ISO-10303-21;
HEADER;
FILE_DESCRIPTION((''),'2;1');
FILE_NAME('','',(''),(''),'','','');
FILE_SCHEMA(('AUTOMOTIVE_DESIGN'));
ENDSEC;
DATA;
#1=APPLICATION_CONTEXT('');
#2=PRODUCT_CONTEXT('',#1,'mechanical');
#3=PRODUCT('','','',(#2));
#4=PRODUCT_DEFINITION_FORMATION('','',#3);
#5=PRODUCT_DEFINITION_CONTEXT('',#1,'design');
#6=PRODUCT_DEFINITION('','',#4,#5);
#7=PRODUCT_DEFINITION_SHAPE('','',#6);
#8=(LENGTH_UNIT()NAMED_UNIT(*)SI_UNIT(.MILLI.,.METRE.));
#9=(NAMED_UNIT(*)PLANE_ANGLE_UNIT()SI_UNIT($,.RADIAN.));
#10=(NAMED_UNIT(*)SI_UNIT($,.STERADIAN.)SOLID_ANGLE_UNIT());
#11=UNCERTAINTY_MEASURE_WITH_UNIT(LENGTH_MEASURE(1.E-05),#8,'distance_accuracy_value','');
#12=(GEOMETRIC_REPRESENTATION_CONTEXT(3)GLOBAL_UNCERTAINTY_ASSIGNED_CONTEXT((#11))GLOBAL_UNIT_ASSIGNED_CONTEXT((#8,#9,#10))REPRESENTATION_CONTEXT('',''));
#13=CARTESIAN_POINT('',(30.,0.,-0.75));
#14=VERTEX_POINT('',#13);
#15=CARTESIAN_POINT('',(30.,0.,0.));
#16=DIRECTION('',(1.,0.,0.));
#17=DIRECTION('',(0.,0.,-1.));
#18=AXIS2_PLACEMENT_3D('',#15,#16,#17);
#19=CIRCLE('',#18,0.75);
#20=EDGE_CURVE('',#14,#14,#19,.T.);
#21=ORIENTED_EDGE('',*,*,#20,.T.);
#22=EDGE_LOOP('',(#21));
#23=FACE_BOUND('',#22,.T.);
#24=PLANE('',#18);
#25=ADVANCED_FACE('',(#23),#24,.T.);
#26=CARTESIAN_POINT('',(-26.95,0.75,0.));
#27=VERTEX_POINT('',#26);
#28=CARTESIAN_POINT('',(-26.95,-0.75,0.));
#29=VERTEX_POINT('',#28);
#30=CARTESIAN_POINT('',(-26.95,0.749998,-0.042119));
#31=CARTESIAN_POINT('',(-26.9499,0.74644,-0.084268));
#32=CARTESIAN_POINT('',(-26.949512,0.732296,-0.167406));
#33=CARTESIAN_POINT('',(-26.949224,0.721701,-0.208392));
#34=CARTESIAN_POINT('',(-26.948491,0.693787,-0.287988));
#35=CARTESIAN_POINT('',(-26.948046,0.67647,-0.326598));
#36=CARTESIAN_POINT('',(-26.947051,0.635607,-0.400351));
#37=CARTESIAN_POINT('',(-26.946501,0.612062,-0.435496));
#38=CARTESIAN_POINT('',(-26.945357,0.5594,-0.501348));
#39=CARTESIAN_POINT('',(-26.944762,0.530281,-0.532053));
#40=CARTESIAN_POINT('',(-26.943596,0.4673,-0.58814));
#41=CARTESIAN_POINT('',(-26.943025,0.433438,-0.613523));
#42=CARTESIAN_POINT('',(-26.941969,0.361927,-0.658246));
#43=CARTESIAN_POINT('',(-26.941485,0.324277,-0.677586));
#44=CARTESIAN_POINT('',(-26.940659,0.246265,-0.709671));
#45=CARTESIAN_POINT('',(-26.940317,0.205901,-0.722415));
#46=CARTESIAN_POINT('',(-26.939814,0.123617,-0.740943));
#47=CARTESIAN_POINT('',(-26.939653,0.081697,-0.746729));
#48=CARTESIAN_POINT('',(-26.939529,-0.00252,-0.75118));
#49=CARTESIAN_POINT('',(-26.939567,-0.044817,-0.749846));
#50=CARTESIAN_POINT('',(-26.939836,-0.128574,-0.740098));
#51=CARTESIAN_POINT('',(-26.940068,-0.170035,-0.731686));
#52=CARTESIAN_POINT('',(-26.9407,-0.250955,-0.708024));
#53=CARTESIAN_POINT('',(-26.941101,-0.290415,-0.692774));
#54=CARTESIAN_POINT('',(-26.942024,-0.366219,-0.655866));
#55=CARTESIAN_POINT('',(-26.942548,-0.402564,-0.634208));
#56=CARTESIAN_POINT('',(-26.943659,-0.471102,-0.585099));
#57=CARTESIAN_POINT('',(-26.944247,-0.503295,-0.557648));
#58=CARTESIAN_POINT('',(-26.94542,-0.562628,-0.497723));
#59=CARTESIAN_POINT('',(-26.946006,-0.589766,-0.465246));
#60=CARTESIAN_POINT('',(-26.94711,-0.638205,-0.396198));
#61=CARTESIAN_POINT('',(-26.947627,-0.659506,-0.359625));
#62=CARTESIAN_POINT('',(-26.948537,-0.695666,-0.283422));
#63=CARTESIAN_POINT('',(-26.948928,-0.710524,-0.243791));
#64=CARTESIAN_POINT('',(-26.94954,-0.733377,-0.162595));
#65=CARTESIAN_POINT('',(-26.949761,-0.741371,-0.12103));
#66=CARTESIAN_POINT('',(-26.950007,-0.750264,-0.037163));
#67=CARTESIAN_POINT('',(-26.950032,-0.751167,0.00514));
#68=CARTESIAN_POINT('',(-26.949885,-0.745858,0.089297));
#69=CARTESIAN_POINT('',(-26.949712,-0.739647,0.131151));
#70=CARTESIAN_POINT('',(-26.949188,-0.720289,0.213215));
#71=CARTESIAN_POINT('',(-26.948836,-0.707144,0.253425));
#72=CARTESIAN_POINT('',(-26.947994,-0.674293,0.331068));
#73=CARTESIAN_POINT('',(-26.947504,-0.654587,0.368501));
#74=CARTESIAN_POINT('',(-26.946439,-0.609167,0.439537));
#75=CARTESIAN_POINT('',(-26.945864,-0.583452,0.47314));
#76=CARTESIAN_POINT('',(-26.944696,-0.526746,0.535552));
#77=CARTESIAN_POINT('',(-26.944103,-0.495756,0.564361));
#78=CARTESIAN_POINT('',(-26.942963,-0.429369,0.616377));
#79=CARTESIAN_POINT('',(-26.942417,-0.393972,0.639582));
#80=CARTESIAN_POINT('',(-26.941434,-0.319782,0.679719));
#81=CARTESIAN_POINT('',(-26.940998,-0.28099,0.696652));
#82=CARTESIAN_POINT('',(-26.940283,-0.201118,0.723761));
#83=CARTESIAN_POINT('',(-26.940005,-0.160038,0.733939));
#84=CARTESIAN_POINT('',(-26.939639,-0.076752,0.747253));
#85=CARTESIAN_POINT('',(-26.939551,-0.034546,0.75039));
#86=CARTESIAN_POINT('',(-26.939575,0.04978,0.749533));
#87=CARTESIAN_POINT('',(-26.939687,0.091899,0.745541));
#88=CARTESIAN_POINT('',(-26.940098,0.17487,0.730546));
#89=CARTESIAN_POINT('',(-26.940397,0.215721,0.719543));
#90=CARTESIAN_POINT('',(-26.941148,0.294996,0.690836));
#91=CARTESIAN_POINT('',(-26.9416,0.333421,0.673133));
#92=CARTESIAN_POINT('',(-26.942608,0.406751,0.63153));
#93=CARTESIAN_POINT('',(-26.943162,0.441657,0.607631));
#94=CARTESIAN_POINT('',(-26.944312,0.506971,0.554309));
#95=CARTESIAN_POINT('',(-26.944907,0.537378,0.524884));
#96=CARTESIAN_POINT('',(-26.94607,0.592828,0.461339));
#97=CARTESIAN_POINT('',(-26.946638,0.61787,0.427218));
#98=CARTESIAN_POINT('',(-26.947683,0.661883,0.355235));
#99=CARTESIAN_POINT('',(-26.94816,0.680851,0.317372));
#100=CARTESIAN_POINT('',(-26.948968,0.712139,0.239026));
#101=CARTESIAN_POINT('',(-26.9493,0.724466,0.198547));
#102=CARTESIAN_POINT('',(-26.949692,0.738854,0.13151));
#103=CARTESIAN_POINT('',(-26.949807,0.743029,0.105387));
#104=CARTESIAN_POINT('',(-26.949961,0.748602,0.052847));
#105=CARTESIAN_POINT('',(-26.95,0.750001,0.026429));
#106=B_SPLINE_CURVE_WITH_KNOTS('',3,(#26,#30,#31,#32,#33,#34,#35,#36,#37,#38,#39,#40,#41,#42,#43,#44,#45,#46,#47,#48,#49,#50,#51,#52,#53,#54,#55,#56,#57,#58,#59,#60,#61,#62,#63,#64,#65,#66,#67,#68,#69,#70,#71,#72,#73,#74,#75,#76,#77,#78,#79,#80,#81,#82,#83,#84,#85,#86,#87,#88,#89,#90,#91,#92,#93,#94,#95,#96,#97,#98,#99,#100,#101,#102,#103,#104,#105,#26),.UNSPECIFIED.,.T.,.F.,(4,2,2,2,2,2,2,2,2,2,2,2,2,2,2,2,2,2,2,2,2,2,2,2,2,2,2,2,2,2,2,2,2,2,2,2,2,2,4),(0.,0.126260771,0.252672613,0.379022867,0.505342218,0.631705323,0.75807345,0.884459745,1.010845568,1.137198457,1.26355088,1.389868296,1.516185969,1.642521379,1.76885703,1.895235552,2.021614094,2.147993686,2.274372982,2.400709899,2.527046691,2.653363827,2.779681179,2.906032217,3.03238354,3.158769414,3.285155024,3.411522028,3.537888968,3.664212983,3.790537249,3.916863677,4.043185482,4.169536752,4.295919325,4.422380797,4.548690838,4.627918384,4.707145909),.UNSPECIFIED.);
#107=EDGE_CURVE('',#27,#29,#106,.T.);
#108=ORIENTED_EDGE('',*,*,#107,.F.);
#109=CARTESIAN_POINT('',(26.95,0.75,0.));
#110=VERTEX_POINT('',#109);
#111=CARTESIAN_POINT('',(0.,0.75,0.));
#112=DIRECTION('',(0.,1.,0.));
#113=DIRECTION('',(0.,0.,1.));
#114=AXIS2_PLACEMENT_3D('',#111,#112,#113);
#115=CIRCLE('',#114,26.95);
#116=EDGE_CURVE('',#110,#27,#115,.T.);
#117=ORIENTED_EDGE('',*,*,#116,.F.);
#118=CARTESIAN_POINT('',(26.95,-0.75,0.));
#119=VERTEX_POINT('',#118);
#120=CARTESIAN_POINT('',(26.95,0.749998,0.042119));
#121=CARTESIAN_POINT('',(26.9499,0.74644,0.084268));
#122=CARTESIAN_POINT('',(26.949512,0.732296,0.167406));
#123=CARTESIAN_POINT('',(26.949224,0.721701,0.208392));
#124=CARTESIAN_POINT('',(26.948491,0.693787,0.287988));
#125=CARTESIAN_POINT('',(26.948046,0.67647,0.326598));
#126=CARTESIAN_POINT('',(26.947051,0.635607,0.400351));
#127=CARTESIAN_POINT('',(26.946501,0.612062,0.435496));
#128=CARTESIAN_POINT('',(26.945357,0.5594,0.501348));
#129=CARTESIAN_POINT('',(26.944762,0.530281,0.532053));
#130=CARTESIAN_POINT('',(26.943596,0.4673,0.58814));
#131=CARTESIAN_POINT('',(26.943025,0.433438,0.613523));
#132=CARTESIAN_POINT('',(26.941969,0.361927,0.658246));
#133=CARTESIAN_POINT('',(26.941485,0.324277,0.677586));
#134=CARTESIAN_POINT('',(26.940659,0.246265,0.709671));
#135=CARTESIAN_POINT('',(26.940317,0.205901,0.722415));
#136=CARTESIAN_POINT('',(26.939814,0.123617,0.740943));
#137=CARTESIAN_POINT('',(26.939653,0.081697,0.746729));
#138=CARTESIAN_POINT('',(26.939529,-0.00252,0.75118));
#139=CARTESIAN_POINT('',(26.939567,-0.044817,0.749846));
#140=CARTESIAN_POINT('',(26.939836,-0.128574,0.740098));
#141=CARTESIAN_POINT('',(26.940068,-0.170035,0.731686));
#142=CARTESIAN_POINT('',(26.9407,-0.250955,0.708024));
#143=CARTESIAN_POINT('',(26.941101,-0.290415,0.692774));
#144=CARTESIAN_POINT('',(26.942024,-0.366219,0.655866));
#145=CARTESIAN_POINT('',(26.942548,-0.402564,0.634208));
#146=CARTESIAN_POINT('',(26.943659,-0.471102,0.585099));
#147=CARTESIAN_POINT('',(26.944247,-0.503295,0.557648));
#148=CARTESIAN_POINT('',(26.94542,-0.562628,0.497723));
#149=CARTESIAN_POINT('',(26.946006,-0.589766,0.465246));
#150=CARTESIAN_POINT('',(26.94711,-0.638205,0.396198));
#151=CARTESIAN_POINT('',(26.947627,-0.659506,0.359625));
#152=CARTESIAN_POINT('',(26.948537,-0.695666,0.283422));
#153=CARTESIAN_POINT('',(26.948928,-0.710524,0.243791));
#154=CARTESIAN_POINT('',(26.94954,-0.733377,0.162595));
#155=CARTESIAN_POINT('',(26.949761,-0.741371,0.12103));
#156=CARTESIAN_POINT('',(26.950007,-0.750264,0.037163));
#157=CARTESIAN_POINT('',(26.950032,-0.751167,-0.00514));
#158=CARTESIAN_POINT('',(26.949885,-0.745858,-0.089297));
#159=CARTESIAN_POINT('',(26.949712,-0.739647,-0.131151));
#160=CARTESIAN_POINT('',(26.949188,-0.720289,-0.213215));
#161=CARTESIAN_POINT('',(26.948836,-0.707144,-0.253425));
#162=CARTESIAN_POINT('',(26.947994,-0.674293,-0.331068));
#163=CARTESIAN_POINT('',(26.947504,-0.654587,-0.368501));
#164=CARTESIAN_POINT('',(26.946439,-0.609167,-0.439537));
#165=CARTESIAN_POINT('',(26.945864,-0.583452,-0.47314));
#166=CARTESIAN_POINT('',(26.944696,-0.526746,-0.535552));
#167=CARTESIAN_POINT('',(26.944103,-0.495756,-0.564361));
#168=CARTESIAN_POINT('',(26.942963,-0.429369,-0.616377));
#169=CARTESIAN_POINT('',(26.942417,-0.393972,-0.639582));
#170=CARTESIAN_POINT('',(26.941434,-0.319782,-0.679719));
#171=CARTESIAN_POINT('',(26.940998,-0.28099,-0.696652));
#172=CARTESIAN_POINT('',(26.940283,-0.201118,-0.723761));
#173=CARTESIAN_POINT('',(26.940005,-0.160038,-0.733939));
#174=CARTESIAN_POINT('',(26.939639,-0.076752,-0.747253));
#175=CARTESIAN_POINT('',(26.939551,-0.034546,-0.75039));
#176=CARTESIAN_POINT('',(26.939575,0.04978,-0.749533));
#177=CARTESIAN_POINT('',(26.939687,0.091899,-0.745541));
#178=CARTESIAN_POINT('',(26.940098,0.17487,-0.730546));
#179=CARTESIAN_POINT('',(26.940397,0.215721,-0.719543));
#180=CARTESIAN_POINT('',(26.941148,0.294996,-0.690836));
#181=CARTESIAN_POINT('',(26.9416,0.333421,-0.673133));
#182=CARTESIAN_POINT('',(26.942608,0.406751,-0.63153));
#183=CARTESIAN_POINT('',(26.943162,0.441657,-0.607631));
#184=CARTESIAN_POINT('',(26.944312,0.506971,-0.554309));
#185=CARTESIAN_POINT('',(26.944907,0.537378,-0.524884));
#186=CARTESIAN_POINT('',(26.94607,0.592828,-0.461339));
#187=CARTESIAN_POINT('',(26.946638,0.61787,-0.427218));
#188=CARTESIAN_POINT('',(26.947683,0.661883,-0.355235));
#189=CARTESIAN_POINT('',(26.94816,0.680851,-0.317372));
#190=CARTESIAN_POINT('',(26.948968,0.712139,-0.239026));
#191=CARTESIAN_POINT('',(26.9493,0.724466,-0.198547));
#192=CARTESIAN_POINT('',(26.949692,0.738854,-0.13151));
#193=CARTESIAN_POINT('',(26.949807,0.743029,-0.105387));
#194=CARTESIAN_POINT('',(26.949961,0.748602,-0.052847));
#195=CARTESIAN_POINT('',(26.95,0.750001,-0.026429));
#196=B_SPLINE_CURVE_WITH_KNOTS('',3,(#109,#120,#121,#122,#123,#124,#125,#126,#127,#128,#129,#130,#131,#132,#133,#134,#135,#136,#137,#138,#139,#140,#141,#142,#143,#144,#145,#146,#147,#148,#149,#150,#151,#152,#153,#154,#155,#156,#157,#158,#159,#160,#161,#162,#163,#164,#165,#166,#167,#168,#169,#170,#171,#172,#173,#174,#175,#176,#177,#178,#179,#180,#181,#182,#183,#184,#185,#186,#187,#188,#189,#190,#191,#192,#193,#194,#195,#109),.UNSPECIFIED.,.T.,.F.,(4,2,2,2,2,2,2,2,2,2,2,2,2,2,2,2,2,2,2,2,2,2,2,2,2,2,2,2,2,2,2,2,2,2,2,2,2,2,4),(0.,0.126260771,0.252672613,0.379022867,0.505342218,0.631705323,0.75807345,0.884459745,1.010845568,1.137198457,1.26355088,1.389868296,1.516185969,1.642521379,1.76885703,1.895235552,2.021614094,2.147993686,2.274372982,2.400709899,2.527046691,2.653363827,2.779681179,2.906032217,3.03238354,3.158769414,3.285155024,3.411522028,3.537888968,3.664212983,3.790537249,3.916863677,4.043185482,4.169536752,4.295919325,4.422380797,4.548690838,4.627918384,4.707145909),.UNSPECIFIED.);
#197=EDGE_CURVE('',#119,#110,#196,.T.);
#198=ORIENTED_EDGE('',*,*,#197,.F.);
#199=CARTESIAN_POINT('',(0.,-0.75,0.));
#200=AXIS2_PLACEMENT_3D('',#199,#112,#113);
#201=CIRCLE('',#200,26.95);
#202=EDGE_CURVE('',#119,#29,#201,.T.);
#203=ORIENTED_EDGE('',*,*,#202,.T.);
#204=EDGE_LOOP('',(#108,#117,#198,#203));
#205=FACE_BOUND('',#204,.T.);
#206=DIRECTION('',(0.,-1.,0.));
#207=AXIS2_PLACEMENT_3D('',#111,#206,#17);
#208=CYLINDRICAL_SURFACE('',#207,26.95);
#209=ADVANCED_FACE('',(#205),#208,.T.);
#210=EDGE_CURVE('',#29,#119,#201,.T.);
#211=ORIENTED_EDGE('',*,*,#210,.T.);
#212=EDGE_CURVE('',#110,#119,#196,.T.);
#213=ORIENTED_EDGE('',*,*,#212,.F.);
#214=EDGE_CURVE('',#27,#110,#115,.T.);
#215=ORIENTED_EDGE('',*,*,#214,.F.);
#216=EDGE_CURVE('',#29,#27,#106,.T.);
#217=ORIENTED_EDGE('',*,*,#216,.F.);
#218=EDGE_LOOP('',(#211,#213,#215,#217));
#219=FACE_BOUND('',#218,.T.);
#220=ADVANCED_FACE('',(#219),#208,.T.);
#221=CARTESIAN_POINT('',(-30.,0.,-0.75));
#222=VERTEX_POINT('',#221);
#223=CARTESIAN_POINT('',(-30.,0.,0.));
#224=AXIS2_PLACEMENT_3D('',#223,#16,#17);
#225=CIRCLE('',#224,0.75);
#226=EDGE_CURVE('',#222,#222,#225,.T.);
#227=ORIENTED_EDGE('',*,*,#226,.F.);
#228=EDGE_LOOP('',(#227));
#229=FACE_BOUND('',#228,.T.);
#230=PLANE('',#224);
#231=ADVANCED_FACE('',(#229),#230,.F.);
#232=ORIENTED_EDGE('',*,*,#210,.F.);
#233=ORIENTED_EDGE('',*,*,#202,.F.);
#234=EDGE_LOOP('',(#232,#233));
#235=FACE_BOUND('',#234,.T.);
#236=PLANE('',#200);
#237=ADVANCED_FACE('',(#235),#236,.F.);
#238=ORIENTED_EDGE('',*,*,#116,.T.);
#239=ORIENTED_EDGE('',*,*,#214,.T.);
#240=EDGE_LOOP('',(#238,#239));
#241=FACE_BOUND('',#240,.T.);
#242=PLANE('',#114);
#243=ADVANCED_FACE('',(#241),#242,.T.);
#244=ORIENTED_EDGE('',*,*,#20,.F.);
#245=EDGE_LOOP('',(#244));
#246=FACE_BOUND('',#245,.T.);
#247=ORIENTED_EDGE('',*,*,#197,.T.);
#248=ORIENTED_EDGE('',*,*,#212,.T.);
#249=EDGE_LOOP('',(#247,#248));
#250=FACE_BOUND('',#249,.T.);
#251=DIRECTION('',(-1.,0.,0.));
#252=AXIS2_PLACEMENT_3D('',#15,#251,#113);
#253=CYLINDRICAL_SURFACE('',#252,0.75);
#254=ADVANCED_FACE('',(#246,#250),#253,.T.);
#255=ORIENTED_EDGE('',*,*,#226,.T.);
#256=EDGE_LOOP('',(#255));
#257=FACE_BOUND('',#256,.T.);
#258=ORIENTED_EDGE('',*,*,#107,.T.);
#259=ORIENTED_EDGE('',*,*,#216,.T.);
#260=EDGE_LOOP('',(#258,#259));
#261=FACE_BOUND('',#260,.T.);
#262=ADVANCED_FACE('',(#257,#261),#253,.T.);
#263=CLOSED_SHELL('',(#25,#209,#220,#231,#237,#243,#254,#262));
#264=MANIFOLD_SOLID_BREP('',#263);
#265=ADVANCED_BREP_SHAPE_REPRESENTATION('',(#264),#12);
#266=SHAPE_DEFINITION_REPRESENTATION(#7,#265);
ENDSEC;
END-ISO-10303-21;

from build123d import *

# Parameters (mm, degrees)
BOSS_EXTRUDE3_DEPTH = 0.75
SKETCH6_R           = 0.75
BOSS_EXTRUDE4_DEPTH = 30


with BuildPart() as part:
    # Sketch2 → Boss-Extrude3 (new, symmetric)
    with BuildSketch(Plane(origin=(0, 0, 0), x_dir=(1, 0, 0), z_dir=(0, 1, 0))):
        with BuildLine():
            ThreePointArc((26.95, 0), (19.056527753, 19.056527753), (0, 26.95))
            Line((0, 26.95), (0, -26.95))
            ThreePointArc((0, -26.95), (19.056527753, -19.056527753), (26.95, 0))
        make_face()
        with BuildLine():
            Line((0, -26.95), (0, 26.95))
            ThreePointArc((0, 26.95), (-26.95, 0), (0, -26.95))
        make_face()
    extrude(amount=BOSS_EXTRUDE3_DEPTH, both=True)

    # Sketch6 → Boss-Extrude4 (add, symmetric)
    with BuildSketch(Plane(origin=(0, 0, 0), x_dir=(0, 0, -1), z_dir=(1, 0, 0))):
        with Locations(Location((0, 0, 0), (0, 0, 90))):
            Circle(SKETCH6_R)
    extrude(amount=BOSS_EXTRUDE4_DEPTH, both=True)


solid = part.part
